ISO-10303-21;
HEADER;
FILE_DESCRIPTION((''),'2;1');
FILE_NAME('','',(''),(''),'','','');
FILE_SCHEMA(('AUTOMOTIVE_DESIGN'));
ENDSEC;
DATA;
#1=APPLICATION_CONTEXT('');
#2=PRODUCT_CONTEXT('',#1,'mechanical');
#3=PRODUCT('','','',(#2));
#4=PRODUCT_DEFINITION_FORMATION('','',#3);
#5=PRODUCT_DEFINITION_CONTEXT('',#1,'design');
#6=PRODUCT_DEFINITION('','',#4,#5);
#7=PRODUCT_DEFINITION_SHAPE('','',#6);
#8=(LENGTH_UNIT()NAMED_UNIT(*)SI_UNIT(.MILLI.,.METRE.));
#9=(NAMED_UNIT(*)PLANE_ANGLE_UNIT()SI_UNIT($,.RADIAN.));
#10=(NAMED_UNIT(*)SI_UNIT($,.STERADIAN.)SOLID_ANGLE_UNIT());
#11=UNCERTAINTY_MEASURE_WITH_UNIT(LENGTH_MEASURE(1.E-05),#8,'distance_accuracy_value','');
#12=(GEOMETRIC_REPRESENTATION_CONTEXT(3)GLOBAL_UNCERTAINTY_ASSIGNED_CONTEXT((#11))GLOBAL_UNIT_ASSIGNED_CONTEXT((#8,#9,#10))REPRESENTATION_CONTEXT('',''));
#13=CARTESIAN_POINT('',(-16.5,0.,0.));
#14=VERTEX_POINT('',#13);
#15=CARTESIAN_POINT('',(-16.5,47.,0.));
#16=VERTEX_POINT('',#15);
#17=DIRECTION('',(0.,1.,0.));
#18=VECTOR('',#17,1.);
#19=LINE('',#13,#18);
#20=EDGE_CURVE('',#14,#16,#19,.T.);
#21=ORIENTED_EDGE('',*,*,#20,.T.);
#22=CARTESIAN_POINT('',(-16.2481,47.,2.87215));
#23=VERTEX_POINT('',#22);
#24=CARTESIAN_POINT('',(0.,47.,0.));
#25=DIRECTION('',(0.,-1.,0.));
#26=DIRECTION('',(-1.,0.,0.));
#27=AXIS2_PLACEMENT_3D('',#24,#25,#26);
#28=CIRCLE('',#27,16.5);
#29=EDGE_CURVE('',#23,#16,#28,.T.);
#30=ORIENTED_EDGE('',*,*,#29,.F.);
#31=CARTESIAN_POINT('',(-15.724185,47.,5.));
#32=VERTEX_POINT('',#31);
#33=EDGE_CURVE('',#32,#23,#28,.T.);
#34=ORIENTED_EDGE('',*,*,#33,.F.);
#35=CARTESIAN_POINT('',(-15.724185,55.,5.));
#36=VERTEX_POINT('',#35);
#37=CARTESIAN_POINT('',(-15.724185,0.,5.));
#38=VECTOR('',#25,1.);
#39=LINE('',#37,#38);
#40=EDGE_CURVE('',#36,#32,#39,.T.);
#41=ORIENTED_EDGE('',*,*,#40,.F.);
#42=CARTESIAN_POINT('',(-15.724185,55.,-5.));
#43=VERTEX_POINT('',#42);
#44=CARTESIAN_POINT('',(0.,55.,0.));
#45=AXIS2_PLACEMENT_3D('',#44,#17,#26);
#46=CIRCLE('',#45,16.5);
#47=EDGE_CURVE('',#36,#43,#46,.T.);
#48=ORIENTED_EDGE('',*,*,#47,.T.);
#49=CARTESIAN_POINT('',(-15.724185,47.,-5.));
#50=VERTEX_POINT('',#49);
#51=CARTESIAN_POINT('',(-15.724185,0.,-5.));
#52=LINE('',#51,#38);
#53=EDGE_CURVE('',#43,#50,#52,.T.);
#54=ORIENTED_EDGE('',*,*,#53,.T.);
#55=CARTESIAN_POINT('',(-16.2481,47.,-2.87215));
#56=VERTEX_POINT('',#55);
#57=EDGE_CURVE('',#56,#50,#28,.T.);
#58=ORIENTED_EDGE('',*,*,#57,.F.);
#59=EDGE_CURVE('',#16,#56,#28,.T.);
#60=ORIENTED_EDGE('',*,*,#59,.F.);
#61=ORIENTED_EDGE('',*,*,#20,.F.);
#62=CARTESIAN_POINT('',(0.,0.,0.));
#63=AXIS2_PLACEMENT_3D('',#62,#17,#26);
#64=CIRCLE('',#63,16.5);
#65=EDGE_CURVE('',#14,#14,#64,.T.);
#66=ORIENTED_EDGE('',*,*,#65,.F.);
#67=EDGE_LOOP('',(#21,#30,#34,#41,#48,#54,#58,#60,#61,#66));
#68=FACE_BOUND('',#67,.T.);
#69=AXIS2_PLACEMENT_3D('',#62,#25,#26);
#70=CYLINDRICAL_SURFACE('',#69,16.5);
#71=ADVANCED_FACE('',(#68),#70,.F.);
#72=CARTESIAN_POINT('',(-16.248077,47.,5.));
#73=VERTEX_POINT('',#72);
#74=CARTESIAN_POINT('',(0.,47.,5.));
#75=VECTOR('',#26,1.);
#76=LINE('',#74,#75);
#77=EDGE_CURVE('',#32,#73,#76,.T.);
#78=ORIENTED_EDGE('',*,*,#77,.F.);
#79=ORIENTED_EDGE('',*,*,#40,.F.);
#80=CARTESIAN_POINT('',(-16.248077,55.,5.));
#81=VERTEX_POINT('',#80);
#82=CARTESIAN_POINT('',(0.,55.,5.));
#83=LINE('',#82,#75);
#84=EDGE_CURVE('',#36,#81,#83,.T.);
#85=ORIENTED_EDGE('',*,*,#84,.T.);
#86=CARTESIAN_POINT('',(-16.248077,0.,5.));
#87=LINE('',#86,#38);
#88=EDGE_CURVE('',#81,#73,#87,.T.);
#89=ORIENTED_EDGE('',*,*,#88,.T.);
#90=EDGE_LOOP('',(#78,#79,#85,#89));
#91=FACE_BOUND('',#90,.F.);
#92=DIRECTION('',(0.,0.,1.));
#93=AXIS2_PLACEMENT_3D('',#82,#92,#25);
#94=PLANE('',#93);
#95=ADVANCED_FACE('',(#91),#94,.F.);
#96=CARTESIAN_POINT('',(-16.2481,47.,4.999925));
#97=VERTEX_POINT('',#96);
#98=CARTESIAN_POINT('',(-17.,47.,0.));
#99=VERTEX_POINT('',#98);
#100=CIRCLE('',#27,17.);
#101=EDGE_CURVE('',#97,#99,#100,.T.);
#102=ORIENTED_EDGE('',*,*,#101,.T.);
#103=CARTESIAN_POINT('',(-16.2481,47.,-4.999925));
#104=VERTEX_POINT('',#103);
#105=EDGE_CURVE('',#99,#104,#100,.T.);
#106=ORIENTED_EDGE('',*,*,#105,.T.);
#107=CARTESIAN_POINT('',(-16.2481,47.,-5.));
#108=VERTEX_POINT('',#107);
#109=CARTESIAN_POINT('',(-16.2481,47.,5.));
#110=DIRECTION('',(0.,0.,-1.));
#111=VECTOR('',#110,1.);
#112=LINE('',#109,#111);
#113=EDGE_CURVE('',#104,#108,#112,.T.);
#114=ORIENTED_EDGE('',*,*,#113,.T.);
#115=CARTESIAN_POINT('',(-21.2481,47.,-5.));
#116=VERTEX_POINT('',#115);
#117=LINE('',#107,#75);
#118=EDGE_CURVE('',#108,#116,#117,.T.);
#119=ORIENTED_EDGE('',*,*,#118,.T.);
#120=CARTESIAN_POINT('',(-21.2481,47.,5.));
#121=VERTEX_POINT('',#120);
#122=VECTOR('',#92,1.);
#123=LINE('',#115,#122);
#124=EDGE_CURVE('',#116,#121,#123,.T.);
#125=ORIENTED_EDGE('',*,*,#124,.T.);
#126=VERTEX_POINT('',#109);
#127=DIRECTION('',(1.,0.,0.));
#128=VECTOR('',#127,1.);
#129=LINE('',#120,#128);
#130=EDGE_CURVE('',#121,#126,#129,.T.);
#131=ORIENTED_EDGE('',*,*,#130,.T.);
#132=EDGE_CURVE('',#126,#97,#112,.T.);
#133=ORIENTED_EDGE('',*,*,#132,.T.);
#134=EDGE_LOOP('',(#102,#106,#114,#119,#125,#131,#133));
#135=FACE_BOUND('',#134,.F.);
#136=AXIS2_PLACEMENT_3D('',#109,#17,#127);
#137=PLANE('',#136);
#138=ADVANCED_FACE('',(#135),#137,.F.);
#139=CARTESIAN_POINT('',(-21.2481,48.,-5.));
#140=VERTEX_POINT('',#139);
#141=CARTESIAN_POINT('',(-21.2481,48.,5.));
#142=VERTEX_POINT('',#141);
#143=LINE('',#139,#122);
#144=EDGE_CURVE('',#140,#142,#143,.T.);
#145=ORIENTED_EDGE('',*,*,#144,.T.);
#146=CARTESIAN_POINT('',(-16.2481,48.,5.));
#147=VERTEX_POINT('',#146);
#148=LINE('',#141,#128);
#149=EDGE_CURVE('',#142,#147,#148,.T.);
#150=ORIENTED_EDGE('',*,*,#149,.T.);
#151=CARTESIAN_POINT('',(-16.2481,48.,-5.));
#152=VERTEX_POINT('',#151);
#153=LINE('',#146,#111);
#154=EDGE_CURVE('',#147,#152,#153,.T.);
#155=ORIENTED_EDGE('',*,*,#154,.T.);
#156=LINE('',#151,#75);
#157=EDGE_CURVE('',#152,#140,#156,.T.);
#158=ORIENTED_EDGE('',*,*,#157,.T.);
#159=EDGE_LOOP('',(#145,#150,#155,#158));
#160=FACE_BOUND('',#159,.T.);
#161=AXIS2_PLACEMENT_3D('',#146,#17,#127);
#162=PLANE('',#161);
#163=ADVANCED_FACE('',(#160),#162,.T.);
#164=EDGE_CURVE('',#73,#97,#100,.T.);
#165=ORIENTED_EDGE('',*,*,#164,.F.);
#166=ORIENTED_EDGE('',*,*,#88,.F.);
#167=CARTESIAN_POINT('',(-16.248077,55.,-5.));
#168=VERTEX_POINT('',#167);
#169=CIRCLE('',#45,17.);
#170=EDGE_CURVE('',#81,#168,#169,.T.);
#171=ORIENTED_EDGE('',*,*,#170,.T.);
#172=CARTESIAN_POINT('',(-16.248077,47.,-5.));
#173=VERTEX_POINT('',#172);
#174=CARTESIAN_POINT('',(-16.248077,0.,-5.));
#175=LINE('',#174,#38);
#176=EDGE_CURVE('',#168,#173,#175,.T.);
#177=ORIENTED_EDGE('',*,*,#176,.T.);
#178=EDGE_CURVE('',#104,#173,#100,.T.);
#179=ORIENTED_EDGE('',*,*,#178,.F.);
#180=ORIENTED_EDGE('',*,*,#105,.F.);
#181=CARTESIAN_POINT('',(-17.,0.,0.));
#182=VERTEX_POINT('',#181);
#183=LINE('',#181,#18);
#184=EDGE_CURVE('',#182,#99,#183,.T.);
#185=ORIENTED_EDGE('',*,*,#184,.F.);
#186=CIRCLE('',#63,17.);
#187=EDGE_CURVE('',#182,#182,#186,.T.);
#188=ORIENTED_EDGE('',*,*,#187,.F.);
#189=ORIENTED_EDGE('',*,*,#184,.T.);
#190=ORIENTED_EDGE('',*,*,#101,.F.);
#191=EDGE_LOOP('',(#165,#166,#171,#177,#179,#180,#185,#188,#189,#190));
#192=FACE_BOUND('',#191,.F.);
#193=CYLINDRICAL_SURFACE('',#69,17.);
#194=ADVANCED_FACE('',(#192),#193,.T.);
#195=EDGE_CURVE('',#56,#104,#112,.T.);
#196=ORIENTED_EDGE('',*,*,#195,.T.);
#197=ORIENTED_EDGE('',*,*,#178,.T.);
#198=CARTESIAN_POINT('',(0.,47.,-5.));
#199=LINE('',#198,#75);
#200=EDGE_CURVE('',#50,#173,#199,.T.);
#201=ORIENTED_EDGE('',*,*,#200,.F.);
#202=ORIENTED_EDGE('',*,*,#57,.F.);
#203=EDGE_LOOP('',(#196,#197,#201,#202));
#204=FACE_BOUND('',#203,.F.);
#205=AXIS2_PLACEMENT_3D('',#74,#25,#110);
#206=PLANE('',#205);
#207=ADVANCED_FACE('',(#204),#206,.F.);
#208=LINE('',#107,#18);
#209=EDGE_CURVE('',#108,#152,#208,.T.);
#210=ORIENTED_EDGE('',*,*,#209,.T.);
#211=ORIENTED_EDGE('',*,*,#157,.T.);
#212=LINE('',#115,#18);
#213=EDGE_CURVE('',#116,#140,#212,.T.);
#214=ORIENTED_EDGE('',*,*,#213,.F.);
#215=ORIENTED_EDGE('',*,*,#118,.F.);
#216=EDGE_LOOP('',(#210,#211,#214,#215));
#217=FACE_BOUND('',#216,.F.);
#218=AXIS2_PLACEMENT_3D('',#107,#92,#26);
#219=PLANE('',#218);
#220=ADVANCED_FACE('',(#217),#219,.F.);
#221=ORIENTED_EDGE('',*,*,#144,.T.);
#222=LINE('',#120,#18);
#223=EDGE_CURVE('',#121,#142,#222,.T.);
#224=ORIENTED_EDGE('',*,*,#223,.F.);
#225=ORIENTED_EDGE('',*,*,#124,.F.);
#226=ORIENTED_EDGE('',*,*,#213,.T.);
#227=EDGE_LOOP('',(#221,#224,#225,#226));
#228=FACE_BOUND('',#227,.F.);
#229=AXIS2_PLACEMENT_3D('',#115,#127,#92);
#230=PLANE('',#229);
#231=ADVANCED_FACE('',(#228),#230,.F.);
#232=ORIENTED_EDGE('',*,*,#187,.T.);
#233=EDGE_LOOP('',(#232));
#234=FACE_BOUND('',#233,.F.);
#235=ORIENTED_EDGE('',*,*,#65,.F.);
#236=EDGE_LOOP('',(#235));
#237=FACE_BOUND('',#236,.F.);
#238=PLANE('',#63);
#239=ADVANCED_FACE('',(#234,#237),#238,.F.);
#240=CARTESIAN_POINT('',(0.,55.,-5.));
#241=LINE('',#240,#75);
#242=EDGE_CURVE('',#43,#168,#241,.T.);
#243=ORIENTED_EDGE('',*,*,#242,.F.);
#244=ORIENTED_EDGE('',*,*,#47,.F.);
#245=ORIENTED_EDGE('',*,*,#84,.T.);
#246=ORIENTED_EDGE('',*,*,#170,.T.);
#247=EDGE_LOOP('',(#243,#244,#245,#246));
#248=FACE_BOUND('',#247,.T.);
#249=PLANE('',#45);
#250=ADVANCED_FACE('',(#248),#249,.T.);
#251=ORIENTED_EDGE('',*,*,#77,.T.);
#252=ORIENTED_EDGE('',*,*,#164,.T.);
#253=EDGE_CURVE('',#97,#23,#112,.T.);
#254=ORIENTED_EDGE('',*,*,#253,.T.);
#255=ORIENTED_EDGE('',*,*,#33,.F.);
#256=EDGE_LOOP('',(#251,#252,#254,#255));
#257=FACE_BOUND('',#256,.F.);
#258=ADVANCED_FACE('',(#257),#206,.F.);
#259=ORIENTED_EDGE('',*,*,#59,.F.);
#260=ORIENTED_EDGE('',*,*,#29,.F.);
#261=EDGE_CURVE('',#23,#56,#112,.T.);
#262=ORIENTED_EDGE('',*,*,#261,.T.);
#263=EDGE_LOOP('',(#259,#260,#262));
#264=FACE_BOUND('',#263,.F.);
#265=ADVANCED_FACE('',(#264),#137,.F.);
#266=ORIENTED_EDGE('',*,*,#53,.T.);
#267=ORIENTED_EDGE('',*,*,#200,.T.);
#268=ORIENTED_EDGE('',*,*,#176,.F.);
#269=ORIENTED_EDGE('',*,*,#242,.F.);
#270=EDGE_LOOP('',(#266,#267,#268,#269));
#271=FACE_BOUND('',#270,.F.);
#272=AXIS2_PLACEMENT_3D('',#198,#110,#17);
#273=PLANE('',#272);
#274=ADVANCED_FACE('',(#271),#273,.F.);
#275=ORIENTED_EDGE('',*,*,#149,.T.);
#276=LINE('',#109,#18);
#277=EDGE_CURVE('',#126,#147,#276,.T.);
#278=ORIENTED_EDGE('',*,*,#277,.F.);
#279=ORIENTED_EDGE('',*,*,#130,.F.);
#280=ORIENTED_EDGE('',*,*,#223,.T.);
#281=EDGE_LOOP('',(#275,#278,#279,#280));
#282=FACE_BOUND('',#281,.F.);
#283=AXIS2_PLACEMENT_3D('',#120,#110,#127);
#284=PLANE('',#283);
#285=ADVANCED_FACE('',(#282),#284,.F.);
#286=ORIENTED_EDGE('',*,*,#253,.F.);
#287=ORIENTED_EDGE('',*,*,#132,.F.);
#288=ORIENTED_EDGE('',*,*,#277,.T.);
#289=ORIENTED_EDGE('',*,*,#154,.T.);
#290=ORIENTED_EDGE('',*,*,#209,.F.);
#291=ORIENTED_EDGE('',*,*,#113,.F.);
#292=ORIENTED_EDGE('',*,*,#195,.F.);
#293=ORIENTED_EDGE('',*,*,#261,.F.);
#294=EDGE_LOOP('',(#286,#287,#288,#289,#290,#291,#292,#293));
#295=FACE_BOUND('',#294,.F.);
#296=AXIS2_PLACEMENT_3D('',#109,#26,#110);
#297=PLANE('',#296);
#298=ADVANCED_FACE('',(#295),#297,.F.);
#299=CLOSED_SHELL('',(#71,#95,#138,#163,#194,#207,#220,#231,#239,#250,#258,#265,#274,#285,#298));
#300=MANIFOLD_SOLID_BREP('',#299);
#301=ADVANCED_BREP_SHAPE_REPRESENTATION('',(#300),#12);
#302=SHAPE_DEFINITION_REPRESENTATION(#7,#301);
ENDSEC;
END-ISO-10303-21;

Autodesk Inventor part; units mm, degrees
ref_plane "YZ Plane" through (0, 0, 0) normal (1, 0, 0) x (0, 1, 0)
ref_plane "XZ Plane" through (0, 0, 0) normal (0, 1, 0) x (-1, 0, 0)
ref_plane "XY Plane" through (0, 0, 0) normal (0, 0, 1) x (1, 0, 0)
sketch "Boceto1" plane through (0, 0, 0) normal (0, 1, 0) x (-1, 0, 0)
  circle A0 centre (0, 0) radius 16.5
  circle A1 centre (0, 0) radius 17
  dimension "d0" = 33
  dimension "d1" = 34
extrude "Extrusión1" add sketch "Boceto1" along normal blind 55
sketch "Boceto2" plane through (0, 0, 0) normal (1, 0, 0) x (0, 1, 0)
  line L0 (55, 5) -> (47, 5)
  line L1 (47, 5) -> (47, -5)
  line L2 (47, -5) -> (55, -5)
  line L3 (55, -5) -> (55, 5)
  line L4 (55, 16.5) -> (55, -16.5) construction
  line L5 (0, 16.5) -> (0, -16.5) construction
  point P0 (0, 0)
  point P1 (55, 0)
  dimension "d4" = 10
  dimension "d5" = 8
extrude "Extrusión2" cut sketch "Boceto2" against normal blind 55
sketch "Boceto3" plane through (-16.2481, 47, 5) normal (0, 1, 0) x (1, 0, 0)
  arc A0 (0, 10) -> (0, 0) centre (16.2481, 5) ccw construction
  line L0 (0.5239, 0) -> (0, 0) construction
  arc A1 (0.5239, 10) -> (0.5239, 0) centre (16.2481, 5) ccw construction
  line L1 (0.5239, 10) -> (0, 10) construction
  line L2 (0, 10) -> (-5, 10)
  line L3 (-5, 10) -> (-5, 0)
  line L4 (-5, 0) -> (0, 0)
  line L5 (0, 0) -> (0, 10)
  dimension "d8" = 5
  dimension "d9" = 10
extrude "Extrusión3" add sketch "Boceto3" along normal blind 1
properties part number "tuvo"
